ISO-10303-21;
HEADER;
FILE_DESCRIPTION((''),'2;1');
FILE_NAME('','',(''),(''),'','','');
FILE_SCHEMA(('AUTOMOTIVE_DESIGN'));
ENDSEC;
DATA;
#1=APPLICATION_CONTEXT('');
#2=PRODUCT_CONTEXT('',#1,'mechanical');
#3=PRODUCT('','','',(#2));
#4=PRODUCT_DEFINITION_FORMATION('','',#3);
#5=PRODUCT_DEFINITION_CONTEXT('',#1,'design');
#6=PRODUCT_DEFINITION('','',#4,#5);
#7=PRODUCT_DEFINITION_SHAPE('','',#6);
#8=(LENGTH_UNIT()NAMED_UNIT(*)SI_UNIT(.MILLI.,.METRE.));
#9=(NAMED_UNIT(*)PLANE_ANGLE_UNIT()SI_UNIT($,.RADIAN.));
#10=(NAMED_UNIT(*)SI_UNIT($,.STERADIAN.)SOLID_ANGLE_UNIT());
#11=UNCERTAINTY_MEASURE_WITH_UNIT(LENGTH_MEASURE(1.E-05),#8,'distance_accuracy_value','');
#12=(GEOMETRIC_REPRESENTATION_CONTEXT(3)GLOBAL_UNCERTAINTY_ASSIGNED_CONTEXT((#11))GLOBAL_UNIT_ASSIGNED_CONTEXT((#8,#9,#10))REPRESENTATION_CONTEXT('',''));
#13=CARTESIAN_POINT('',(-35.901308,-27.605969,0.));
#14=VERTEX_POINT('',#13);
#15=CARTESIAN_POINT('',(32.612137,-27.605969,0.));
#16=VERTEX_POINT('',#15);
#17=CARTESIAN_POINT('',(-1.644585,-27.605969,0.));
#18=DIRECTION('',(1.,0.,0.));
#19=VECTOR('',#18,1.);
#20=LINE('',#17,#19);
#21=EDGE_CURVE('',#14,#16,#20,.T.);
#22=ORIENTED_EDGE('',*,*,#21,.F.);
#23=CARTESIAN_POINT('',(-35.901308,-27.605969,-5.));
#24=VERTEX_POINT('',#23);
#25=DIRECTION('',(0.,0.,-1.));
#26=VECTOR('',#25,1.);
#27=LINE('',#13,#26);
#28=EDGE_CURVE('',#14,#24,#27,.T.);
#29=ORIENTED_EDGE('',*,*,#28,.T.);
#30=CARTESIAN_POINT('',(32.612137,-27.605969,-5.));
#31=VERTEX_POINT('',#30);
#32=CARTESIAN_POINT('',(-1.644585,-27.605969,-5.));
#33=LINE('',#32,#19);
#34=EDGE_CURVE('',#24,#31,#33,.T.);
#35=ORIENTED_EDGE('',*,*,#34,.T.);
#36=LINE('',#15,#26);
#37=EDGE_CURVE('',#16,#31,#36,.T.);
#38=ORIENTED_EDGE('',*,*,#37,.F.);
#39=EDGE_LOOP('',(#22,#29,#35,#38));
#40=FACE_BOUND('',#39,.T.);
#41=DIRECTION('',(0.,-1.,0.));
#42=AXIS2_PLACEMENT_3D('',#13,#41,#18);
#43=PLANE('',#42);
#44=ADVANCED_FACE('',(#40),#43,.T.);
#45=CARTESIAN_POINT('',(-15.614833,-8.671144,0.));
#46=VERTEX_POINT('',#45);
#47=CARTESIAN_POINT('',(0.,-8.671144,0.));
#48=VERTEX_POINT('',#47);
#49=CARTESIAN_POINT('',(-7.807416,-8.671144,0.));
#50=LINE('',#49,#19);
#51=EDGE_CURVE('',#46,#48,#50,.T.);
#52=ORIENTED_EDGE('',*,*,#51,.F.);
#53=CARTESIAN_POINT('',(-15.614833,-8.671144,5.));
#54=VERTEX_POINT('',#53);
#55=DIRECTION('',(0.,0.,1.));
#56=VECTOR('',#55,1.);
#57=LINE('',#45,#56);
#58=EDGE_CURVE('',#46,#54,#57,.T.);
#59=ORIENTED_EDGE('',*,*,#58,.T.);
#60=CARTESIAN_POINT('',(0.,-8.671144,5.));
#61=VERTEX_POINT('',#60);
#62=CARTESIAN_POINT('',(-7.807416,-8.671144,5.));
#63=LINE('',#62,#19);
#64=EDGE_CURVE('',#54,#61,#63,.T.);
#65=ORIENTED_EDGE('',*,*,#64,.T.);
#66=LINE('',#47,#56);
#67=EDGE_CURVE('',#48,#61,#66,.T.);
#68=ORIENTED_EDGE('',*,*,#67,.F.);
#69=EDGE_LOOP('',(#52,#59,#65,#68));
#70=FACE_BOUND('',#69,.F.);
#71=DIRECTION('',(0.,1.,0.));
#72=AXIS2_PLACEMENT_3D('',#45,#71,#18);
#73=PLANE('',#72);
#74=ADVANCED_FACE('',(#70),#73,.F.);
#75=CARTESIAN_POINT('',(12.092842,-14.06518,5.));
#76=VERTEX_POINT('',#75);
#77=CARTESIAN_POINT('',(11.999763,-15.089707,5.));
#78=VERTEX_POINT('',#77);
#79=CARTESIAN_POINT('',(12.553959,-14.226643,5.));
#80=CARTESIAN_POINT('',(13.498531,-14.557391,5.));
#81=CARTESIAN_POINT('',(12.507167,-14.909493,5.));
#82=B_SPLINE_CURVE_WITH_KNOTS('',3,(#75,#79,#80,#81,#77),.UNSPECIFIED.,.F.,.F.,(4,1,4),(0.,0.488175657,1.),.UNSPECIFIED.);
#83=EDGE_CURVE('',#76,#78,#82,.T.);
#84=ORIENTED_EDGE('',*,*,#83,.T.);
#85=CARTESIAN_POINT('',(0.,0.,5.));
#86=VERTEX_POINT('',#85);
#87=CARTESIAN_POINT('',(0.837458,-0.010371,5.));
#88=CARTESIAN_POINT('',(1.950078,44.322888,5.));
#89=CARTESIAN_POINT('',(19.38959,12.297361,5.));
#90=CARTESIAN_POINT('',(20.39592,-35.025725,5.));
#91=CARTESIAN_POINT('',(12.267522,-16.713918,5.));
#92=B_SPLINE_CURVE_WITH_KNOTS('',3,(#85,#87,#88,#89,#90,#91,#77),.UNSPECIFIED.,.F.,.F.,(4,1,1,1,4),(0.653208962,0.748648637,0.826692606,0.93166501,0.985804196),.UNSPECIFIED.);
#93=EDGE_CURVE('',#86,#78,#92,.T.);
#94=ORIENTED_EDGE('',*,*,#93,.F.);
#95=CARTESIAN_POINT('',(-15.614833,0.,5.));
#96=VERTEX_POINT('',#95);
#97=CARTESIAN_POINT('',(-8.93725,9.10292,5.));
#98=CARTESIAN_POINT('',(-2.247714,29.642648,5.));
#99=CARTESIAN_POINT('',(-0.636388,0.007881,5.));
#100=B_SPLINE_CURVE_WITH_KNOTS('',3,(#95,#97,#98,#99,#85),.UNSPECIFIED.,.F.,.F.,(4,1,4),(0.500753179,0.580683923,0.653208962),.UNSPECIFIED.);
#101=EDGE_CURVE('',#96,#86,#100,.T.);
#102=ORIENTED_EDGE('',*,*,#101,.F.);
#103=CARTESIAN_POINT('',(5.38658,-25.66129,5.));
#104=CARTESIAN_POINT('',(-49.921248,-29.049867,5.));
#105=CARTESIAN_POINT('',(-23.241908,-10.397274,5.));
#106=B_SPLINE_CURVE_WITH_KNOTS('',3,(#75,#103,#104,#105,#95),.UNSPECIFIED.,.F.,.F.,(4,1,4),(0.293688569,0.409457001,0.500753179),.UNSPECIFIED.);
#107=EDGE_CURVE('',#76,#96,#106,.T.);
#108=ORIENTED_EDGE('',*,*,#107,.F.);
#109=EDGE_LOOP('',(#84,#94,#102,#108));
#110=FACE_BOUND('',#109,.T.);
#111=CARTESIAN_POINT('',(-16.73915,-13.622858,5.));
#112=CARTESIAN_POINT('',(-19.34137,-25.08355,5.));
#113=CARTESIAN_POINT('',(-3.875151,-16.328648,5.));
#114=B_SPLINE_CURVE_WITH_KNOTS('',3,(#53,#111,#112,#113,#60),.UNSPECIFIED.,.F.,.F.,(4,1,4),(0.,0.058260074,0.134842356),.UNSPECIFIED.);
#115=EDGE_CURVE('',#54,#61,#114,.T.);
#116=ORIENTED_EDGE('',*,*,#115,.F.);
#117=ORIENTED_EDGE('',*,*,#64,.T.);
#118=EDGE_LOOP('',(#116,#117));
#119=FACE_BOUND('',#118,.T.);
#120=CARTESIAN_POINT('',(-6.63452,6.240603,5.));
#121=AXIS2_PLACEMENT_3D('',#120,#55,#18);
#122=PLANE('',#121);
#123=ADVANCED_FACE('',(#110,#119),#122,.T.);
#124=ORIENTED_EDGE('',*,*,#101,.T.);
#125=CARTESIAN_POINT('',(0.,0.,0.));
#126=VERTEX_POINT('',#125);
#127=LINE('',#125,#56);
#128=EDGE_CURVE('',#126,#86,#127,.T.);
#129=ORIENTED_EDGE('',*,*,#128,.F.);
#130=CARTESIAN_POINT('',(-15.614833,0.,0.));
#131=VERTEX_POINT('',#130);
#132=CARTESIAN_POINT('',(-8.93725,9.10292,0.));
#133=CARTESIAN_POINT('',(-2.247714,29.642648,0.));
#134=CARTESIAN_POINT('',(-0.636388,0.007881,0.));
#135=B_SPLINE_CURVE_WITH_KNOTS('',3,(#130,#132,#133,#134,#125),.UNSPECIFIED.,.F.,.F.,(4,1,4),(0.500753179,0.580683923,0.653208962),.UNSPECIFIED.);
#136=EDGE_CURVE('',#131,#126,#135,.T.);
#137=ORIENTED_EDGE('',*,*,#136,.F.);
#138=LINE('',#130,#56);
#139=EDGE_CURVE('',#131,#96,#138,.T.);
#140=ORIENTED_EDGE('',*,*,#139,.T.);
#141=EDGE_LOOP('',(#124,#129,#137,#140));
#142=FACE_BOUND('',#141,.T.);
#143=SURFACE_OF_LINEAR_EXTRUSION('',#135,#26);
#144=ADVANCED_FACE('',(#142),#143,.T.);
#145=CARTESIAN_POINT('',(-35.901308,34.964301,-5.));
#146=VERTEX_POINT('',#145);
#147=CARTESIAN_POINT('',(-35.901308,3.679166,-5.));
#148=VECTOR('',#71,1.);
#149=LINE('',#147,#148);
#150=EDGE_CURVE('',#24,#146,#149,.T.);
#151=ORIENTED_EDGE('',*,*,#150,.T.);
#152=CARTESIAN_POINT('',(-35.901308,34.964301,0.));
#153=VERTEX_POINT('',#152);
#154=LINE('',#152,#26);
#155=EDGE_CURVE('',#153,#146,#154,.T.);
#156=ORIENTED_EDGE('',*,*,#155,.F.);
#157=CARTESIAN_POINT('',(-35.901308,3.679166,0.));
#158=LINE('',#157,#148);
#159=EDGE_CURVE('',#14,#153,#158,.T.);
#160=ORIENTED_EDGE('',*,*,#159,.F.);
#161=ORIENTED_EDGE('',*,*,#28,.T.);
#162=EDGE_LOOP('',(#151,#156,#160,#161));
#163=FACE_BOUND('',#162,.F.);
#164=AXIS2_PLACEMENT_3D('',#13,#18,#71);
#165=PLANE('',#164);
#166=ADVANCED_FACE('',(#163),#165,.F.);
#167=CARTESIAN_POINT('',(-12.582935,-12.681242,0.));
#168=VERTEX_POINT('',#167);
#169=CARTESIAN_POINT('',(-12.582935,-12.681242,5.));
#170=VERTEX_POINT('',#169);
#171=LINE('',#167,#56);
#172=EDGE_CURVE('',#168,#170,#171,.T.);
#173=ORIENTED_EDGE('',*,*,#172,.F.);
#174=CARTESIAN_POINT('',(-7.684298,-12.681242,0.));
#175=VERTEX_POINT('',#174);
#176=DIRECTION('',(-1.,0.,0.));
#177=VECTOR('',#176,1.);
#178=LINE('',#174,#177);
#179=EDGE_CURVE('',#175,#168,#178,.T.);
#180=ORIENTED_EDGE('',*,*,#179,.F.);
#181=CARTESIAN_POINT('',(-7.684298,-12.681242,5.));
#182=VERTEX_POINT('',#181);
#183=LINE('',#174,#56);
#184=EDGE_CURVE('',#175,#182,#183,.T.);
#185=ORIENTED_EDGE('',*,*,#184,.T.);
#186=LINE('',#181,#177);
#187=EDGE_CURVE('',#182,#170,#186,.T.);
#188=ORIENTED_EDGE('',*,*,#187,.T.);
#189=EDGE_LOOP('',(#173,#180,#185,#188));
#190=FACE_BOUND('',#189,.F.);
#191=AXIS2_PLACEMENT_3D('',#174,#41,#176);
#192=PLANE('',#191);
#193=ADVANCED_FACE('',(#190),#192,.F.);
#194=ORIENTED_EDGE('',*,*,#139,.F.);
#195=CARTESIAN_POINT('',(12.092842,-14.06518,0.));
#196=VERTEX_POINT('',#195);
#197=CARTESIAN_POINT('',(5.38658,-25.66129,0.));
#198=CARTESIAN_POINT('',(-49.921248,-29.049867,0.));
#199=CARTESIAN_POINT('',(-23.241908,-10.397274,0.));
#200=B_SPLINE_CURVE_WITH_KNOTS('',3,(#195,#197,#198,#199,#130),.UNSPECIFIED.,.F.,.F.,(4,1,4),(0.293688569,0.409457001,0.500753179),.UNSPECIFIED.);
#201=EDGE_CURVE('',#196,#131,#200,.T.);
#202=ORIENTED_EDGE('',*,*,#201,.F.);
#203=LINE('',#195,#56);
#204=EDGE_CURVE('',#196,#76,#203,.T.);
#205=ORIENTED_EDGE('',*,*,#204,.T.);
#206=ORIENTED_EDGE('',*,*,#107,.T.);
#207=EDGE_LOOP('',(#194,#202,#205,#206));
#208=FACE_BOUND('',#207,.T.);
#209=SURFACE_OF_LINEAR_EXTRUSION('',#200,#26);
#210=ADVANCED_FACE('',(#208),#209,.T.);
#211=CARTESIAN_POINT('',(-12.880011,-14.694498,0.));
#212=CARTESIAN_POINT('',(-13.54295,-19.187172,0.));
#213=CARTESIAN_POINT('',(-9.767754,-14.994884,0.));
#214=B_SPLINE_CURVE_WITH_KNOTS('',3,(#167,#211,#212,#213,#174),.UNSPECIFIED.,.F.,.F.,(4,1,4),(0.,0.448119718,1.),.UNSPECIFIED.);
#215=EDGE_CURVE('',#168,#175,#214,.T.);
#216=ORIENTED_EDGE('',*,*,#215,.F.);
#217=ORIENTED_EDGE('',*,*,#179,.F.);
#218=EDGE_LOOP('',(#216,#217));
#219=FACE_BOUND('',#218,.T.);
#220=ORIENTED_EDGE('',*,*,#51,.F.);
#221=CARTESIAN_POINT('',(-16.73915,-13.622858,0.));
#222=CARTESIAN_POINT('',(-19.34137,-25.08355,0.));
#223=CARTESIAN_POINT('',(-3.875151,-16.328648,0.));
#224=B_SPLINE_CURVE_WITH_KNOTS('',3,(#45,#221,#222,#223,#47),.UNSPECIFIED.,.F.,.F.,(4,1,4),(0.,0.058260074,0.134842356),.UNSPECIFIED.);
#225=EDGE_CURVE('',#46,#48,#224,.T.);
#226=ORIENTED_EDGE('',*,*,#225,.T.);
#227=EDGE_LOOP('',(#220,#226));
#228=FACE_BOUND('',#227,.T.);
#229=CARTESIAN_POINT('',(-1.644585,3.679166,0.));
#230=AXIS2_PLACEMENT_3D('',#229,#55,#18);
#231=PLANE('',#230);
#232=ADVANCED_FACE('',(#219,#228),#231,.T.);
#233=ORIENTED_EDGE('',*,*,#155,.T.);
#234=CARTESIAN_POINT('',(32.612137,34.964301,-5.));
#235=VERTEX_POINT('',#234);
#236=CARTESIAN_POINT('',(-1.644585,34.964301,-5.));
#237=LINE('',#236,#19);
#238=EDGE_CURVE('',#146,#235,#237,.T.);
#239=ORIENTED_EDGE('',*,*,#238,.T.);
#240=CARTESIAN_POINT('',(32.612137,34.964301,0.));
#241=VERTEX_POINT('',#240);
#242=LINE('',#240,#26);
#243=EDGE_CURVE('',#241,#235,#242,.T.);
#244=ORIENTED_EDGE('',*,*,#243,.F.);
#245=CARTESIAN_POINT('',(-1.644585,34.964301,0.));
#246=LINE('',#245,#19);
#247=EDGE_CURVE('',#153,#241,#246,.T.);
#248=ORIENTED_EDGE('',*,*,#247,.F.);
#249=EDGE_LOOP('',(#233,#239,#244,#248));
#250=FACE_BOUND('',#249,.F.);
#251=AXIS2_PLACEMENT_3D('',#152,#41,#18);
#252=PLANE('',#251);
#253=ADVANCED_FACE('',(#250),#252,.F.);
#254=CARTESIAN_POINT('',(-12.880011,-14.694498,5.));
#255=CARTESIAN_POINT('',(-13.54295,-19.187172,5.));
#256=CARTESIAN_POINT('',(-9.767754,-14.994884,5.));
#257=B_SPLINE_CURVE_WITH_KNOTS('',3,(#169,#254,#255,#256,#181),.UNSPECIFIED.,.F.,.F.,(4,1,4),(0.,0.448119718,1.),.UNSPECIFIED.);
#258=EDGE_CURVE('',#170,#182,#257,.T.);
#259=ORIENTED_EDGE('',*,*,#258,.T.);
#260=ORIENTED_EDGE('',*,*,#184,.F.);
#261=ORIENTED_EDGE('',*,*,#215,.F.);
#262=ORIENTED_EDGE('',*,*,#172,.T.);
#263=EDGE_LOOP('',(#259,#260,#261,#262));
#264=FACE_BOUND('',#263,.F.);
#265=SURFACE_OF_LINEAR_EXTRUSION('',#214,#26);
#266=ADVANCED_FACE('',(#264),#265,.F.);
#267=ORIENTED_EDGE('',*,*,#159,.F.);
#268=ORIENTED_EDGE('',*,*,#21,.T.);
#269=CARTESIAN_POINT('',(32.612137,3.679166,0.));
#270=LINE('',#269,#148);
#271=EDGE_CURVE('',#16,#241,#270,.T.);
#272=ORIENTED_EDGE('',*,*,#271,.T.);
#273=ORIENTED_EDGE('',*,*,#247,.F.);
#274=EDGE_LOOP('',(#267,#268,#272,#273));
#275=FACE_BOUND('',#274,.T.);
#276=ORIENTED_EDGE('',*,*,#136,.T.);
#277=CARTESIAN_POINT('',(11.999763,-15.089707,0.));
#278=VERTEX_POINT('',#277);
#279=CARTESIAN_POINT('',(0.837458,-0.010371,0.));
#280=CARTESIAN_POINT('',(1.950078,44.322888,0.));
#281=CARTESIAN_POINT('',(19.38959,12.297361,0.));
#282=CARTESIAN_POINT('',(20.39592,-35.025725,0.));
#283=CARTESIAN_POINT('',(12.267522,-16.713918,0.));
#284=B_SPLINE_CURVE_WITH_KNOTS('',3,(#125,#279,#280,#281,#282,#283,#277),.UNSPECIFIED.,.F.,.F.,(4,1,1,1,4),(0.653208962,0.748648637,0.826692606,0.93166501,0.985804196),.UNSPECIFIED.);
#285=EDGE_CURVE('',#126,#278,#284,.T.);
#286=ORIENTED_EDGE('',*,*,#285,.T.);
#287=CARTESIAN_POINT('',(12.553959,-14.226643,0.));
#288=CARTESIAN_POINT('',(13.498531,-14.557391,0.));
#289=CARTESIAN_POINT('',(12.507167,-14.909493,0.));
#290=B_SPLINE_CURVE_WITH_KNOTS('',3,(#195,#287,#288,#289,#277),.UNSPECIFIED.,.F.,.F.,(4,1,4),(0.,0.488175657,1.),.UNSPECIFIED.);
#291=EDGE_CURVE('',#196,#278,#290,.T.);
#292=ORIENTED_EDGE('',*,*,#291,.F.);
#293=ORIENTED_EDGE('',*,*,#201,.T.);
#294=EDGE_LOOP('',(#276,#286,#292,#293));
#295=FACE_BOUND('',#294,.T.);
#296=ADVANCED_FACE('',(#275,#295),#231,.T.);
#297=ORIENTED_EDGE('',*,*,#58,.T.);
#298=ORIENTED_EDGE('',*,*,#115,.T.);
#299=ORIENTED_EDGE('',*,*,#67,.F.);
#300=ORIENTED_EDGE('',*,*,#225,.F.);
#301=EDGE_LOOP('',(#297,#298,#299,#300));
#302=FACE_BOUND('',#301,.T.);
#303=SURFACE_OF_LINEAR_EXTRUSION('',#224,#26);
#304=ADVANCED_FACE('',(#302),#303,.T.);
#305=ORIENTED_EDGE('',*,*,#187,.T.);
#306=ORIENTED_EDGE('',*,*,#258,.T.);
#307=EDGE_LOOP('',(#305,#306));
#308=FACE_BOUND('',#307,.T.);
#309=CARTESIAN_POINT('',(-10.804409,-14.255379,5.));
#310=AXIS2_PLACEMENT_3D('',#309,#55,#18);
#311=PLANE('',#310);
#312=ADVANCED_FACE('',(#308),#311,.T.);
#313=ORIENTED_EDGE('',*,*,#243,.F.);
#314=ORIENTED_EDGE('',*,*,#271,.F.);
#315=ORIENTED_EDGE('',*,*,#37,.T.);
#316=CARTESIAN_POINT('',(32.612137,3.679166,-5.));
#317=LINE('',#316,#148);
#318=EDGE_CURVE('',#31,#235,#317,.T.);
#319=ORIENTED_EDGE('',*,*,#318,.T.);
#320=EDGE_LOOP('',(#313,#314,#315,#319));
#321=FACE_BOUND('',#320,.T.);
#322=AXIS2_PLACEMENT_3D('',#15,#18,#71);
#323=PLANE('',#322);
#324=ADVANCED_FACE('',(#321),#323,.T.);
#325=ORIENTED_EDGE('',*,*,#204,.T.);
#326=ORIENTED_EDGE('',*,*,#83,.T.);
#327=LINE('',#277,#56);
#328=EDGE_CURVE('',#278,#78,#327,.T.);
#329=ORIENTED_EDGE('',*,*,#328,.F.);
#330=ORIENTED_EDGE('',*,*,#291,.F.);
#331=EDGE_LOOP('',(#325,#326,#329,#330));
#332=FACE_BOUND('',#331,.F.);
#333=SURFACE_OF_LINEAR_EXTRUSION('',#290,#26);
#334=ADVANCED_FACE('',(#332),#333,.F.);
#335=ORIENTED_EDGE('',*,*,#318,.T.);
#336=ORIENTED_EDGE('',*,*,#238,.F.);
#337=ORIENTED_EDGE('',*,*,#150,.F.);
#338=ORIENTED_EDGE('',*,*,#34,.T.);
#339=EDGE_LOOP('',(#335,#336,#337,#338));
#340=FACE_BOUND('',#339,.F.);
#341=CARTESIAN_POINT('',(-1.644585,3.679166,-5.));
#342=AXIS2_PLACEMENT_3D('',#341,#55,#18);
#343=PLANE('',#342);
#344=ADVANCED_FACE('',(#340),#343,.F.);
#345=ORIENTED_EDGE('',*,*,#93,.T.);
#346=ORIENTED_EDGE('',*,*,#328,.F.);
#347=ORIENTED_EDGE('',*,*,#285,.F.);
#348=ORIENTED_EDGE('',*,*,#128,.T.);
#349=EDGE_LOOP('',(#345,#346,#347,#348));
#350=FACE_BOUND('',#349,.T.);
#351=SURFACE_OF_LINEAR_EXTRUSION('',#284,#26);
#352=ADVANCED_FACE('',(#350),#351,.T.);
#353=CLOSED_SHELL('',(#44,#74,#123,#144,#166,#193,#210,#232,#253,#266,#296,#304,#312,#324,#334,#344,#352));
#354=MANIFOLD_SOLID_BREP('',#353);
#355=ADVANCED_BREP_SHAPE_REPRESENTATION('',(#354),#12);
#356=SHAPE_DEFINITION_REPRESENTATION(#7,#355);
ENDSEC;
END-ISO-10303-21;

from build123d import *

# Parameters (mm, degrees)
F0_W     = 15.6148327515
F0_H     = 8.6711440235
F1_DEPTH = 5
F3_DEPTH = 5
F4_W     = 68.5134455562
F4_H     = 62.5702701509
F5_DEPTH = 5


with BuildPart() as f1:
    # F0 (on Top) → F1 (new body)
    with BuildSketch(Plane.XY):
        with BuildLine():
            Line((-15.6148327515, 0), (0, 0))
            add(Edge.make_bspline(
                [(-15.6148327515, 0), (-8.9372500336, 9.1029204064), (-2.2477140541, 29.6426476673), (-0.6363883786, 0.0078806838), (0, 0)],
                knots=[0.5007531788, 0.5007531788, 0.5007531788, 0.5007531788, 0.5806839228, 0.6532089623, 0.6532089623, 0.6532089623, 0.6532089623], degree=3))
        make_face()
        with BuildLine():
            Line((-15.6148327515, -8.6711440235), (-15.6148327515, 0))
            add(Edge.make_bspline(
                [(12.0928417891, -14.0651799738), (5.386580395, -25.6612903483), (-49.9212476219, -29.049867362), (-23.2419077071, -10.3972738622), (-15.6148327515, 0)],
                knots=[0.2936885694, 0.2936885694, 0.2936885694, 0.2936885694, 0.4094570015, 0.5007531788, 0.5007531788, 0.5007531788, 0.5007531788], degree=3))
            add(Edge.make_bspline(
                [(0, -8.6711440235), (3.7584985414, -1.2441509088), (1.9211653663, 20.0410270227), (16.9917902231, -5.5941790062), (12.0928417891, -14.0651799738)],
                knots=[0.1348423555, 0.1348423555, 0.1348423555, 0.1348423555, 0.2091193071, 0.2936885694, 0.2936885694, 0.2936885694, 0.2936885694], degree=3))
            add(Edge.make_bspline(
                [(-15.6148327515, -8.6711440235), (-16.7391498892, -13.622858393), (-19.3413703684, -25.0835499715), (-3.8751508711, -16.3286483489), (0, -8.6711440235)],
                knots=[0, 0, 0, 0, 0.0582600739, 0.1348423555, 0.1348423555, 0.1348423555, 0.1348423555], degree=3))
        make_face()
        with BuildLine():
            add(Edge.make_bspline(
                [(0, 0), (0.837458348, -0.0103706237), (1.9500780727, 44.3228880047), (19.3895903674, 12.2973607043), (20.3959204885, -35.025724631), (12.2675216154, -16.7139183871), (11.9997626171, -15.0897074491)],
                knots=[0.6532089623, 0.6532089623, 0.6532089623, 0.6532089623, 0.7486486369, 0.8266926063, 0.9316650104, 0.985804196, 0.985804196, 0.985804196, 0.985804196], degree=3))
            Line((0, 0), (0, -8.6711440235))
            add(Edge.make_bspline(
                [(0, -8.6711440235), (3.7584985414, -1.2441509088), (1.9211653663, 20.0410270227), (16.9917902231, -5.5941790062), (12.0928417891, -14.0651799738)],
                knots=[0.1348423555, 0.1348423555, 0.1348423555, 0.1348423555, 0.2091193071, 0.2936885694, 0.2936885694, 0.2936885694, 0.2936885694], degree=3))
            add(Edge.make_bspline(
                [(12.0928417891, -14.0651799738), (12.5539589764, -14.2266429433), (13.4985312959, -14.5573913273), (12.5071668502, -14.9094929242), (11.9997626171, -15.0897074491)],
                knots=[0, 0, 0, 0, 0.4881756567, 1, 1, 1, 1], degree=3))
        make_face()
        with Locations((-7.8074163757, -4.3355720118)):
            Rectangle(F0_W, F0_H)
    extrude(amount=F1_DEPTH)



with BuildPart() as f3:
    # F2 (on Top) → F3 (new body)
    with BuildSketch(Plane.XY):
        with BuildLine():
            add(Edge.make_bspline(
                [(-12.5829353929, -12.6812420785), (-12.8800111884, -14.6944980362), (-13.5429496039, -19.1871719349), (-9.7677541735, -14.9948836926), (-7.6842978597, -12.6812420785)],
                knots=[0, 0, 0, 0, 0.4481197185, 1, 1, 1, 1], degree=3))
            Line((-7.6842978597, -12.6812420785), (-12.5829353929, -12.6812420785))
        make_face()
    extrude(amount=F3_DEPTH)


with BuildPart() as f1_1:
    add(f1.part)

    add(f3.part)  # F5 merges F3
    # F4 (on Top) → F5 (join)
    with BuildSketch(Plane.XY):
        with Locations((-1.6445852816, 3.6791656166)):
            Rectangle(F4_W, F4_H)
    extrude(amount=-F5_DEPTH)


solid = f1_1.part
